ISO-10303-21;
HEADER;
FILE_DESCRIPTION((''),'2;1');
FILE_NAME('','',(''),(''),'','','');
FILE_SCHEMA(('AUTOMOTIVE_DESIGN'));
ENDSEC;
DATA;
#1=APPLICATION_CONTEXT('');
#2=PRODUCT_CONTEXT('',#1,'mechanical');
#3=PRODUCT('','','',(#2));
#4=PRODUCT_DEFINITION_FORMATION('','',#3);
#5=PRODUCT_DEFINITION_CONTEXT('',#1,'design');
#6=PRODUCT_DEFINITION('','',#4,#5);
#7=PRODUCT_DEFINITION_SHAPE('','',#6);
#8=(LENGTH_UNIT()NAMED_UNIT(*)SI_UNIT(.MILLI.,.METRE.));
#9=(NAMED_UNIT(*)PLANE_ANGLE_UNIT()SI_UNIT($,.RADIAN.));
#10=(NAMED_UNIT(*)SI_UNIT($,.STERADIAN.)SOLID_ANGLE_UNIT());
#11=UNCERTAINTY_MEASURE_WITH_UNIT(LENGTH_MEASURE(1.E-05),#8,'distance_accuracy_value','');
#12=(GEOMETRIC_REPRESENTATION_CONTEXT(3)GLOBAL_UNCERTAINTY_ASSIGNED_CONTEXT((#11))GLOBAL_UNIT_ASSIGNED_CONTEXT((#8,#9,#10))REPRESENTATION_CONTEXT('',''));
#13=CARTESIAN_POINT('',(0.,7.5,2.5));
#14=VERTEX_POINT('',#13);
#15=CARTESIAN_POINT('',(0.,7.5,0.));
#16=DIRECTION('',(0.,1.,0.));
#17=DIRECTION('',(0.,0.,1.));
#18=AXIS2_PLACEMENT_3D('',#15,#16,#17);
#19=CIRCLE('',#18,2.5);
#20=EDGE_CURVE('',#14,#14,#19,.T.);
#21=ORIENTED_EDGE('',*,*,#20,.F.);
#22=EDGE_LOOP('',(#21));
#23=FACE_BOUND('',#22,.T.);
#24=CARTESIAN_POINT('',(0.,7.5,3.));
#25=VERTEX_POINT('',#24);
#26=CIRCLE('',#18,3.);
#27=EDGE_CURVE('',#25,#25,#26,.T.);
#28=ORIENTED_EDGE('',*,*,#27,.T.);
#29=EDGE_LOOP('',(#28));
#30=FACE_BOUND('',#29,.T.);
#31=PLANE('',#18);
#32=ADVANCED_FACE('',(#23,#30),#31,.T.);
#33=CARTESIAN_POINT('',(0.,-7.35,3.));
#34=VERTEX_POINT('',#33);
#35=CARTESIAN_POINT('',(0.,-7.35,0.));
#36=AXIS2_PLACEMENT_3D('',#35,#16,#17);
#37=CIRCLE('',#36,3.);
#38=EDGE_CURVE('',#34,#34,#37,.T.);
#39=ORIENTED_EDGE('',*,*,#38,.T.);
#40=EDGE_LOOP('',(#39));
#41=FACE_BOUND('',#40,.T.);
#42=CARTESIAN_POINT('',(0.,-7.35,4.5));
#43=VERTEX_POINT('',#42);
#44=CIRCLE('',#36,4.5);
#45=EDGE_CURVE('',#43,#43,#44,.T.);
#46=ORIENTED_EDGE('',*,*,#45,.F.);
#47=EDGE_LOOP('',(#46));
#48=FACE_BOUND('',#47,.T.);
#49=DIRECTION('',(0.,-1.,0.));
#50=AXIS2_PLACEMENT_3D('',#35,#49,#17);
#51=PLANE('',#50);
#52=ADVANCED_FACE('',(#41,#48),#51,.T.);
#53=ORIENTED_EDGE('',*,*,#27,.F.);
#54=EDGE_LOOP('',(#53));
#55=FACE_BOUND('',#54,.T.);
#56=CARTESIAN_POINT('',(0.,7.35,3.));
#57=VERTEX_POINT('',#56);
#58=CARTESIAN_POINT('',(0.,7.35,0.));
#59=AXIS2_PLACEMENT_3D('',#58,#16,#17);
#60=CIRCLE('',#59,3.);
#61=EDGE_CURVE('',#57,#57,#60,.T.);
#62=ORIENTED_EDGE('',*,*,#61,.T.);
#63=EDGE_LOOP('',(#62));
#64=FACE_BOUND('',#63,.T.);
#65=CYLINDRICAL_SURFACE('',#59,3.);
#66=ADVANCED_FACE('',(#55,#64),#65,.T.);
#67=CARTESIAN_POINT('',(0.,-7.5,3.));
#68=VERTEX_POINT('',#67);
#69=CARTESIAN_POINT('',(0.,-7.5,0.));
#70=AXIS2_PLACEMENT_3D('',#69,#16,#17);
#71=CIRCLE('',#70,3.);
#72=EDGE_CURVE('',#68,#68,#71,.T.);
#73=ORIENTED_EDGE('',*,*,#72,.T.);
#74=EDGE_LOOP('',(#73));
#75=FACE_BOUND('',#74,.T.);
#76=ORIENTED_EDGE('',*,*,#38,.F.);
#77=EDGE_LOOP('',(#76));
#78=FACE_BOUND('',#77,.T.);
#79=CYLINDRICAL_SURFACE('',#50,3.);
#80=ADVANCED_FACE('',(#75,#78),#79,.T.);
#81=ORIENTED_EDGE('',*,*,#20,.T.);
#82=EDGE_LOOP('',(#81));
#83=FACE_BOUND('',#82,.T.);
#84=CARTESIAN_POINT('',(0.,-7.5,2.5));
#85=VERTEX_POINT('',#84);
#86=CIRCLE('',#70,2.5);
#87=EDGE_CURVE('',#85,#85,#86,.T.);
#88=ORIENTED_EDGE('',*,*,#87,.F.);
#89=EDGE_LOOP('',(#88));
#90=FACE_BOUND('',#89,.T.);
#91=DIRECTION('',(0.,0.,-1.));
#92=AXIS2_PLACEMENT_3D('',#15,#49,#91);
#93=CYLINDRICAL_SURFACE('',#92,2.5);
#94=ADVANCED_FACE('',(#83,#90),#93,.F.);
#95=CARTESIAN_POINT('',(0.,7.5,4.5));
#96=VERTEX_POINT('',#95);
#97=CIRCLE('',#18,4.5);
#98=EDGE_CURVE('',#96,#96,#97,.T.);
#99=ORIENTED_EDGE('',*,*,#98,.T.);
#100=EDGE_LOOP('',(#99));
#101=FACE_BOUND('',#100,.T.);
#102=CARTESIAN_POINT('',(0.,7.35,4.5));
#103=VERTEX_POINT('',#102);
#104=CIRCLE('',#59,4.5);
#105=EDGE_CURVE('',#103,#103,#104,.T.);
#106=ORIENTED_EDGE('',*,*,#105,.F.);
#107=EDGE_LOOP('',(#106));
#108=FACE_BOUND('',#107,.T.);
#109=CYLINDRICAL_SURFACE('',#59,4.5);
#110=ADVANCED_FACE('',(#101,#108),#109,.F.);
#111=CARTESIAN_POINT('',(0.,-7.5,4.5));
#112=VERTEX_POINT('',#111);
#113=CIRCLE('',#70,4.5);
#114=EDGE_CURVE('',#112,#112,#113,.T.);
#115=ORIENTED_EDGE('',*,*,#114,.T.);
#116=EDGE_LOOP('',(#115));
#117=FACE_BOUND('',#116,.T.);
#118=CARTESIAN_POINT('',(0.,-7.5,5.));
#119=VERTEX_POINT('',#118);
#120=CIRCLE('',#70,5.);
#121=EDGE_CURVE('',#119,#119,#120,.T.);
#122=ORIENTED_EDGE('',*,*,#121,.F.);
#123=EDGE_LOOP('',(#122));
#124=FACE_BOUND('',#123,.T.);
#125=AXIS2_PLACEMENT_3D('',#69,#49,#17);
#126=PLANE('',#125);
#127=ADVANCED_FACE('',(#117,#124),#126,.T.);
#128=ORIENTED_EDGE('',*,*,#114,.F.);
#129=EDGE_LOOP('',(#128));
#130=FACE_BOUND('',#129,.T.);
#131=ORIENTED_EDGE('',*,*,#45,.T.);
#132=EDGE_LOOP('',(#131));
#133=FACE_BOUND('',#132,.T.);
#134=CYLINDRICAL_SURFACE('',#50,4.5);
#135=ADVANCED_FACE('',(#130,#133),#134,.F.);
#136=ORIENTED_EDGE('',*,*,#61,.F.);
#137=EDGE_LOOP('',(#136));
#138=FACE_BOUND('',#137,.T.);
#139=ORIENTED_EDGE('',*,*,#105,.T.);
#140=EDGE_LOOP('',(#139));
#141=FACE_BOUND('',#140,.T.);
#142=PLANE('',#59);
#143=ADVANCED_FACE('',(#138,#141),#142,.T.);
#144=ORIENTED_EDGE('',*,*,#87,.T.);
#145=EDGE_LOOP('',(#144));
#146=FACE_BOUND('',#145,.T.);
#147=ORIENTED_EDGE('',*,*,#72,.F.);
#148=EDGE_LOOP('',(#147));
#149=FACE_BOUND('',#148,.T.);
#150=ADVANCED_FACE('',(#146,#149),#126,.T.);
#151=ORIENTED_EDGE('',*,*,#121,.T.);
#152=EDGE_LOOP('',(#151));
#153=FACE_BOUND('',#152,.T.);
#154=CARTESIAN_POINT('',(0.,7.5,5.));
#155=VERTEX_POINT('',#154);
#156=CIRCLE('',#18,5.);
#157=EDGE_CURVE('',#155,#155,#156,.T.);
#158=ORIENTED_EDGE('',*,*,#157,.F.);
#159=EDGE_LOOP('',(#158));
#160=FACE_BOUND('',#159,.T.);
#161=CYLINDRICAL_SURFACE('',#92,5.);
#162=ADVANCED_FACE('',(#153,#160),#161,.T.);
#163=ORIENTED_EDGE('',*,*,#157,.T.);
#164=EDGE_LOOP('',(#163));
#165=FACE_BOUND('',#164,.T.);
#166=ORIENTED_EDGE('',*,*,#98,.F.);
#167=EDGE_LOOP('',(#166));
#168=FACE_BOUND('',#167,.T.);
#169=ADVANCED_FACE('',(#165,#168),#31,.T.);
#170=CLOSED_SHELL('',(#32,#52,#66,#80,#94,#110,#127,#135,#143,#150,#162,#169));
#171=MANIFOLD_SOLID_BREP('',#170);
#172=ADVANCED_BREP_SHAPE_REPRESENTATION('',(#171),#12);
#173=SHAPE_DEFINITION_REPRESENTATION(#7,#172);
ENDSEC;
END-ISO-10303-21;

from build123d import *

# Parameters (mm, degrees)
SKETCH_1_R          = 5
SKETCH_1_R_2        = 2.5
EXTRUDE_1_DEPTH     = 7.5
SKETCH_2_R          = 4.5
SKETCH_2_R_2        = 3
CUT_EXTRUDE_1_DEPTH = 0.15


with BuildPart() as part:
    # Эскиз1 → Бобышка-Вытянуть1 (new body)
    with BuildSketch(Plane(origin=(0, 0, 0), x_dir=(1, 0, 0), z_dir=(0, 1, 0))):
        with Locations(Location((0, 0, 0), (0, 0, 270))):
            Circle(SKETCH_1_R)
        with Locations(Location((0, 0, 0), (0, 0, 270))):
            Circle(SKETCH_1_R_2, mode=Mode.SUBTRACT)
    extrude(amount=EXTRUDE_1_DEPTH)

    # Эскиз2 → Вырез-Вытянуть1 (cut)
    with BuildSketch(Plane(origin=(0, 7.5, 0), x_dir=(1, 0, 0), z_dir=(0, 1, 0))):
        with Locations(Location((0, 0, 0), (0, 0, 270))):
            Circle(SKETCH_2_R)
        with Locations(Location((0, 0, 0), (0, 0, 270))):
            Circle(SKETCH_2_R_2, mode=Mode.SUBTRACT)
    extrude(amount=-CUT_EXTRUDE_1_DEPTH, mode=Mode.SUBTRACT)

    # Зеркальное отражение1: part across plane


with BuildPart() as part_1:
    add(part.part)
    add(part.part.mirror(Plane.ZX))


solid = part_1.part
